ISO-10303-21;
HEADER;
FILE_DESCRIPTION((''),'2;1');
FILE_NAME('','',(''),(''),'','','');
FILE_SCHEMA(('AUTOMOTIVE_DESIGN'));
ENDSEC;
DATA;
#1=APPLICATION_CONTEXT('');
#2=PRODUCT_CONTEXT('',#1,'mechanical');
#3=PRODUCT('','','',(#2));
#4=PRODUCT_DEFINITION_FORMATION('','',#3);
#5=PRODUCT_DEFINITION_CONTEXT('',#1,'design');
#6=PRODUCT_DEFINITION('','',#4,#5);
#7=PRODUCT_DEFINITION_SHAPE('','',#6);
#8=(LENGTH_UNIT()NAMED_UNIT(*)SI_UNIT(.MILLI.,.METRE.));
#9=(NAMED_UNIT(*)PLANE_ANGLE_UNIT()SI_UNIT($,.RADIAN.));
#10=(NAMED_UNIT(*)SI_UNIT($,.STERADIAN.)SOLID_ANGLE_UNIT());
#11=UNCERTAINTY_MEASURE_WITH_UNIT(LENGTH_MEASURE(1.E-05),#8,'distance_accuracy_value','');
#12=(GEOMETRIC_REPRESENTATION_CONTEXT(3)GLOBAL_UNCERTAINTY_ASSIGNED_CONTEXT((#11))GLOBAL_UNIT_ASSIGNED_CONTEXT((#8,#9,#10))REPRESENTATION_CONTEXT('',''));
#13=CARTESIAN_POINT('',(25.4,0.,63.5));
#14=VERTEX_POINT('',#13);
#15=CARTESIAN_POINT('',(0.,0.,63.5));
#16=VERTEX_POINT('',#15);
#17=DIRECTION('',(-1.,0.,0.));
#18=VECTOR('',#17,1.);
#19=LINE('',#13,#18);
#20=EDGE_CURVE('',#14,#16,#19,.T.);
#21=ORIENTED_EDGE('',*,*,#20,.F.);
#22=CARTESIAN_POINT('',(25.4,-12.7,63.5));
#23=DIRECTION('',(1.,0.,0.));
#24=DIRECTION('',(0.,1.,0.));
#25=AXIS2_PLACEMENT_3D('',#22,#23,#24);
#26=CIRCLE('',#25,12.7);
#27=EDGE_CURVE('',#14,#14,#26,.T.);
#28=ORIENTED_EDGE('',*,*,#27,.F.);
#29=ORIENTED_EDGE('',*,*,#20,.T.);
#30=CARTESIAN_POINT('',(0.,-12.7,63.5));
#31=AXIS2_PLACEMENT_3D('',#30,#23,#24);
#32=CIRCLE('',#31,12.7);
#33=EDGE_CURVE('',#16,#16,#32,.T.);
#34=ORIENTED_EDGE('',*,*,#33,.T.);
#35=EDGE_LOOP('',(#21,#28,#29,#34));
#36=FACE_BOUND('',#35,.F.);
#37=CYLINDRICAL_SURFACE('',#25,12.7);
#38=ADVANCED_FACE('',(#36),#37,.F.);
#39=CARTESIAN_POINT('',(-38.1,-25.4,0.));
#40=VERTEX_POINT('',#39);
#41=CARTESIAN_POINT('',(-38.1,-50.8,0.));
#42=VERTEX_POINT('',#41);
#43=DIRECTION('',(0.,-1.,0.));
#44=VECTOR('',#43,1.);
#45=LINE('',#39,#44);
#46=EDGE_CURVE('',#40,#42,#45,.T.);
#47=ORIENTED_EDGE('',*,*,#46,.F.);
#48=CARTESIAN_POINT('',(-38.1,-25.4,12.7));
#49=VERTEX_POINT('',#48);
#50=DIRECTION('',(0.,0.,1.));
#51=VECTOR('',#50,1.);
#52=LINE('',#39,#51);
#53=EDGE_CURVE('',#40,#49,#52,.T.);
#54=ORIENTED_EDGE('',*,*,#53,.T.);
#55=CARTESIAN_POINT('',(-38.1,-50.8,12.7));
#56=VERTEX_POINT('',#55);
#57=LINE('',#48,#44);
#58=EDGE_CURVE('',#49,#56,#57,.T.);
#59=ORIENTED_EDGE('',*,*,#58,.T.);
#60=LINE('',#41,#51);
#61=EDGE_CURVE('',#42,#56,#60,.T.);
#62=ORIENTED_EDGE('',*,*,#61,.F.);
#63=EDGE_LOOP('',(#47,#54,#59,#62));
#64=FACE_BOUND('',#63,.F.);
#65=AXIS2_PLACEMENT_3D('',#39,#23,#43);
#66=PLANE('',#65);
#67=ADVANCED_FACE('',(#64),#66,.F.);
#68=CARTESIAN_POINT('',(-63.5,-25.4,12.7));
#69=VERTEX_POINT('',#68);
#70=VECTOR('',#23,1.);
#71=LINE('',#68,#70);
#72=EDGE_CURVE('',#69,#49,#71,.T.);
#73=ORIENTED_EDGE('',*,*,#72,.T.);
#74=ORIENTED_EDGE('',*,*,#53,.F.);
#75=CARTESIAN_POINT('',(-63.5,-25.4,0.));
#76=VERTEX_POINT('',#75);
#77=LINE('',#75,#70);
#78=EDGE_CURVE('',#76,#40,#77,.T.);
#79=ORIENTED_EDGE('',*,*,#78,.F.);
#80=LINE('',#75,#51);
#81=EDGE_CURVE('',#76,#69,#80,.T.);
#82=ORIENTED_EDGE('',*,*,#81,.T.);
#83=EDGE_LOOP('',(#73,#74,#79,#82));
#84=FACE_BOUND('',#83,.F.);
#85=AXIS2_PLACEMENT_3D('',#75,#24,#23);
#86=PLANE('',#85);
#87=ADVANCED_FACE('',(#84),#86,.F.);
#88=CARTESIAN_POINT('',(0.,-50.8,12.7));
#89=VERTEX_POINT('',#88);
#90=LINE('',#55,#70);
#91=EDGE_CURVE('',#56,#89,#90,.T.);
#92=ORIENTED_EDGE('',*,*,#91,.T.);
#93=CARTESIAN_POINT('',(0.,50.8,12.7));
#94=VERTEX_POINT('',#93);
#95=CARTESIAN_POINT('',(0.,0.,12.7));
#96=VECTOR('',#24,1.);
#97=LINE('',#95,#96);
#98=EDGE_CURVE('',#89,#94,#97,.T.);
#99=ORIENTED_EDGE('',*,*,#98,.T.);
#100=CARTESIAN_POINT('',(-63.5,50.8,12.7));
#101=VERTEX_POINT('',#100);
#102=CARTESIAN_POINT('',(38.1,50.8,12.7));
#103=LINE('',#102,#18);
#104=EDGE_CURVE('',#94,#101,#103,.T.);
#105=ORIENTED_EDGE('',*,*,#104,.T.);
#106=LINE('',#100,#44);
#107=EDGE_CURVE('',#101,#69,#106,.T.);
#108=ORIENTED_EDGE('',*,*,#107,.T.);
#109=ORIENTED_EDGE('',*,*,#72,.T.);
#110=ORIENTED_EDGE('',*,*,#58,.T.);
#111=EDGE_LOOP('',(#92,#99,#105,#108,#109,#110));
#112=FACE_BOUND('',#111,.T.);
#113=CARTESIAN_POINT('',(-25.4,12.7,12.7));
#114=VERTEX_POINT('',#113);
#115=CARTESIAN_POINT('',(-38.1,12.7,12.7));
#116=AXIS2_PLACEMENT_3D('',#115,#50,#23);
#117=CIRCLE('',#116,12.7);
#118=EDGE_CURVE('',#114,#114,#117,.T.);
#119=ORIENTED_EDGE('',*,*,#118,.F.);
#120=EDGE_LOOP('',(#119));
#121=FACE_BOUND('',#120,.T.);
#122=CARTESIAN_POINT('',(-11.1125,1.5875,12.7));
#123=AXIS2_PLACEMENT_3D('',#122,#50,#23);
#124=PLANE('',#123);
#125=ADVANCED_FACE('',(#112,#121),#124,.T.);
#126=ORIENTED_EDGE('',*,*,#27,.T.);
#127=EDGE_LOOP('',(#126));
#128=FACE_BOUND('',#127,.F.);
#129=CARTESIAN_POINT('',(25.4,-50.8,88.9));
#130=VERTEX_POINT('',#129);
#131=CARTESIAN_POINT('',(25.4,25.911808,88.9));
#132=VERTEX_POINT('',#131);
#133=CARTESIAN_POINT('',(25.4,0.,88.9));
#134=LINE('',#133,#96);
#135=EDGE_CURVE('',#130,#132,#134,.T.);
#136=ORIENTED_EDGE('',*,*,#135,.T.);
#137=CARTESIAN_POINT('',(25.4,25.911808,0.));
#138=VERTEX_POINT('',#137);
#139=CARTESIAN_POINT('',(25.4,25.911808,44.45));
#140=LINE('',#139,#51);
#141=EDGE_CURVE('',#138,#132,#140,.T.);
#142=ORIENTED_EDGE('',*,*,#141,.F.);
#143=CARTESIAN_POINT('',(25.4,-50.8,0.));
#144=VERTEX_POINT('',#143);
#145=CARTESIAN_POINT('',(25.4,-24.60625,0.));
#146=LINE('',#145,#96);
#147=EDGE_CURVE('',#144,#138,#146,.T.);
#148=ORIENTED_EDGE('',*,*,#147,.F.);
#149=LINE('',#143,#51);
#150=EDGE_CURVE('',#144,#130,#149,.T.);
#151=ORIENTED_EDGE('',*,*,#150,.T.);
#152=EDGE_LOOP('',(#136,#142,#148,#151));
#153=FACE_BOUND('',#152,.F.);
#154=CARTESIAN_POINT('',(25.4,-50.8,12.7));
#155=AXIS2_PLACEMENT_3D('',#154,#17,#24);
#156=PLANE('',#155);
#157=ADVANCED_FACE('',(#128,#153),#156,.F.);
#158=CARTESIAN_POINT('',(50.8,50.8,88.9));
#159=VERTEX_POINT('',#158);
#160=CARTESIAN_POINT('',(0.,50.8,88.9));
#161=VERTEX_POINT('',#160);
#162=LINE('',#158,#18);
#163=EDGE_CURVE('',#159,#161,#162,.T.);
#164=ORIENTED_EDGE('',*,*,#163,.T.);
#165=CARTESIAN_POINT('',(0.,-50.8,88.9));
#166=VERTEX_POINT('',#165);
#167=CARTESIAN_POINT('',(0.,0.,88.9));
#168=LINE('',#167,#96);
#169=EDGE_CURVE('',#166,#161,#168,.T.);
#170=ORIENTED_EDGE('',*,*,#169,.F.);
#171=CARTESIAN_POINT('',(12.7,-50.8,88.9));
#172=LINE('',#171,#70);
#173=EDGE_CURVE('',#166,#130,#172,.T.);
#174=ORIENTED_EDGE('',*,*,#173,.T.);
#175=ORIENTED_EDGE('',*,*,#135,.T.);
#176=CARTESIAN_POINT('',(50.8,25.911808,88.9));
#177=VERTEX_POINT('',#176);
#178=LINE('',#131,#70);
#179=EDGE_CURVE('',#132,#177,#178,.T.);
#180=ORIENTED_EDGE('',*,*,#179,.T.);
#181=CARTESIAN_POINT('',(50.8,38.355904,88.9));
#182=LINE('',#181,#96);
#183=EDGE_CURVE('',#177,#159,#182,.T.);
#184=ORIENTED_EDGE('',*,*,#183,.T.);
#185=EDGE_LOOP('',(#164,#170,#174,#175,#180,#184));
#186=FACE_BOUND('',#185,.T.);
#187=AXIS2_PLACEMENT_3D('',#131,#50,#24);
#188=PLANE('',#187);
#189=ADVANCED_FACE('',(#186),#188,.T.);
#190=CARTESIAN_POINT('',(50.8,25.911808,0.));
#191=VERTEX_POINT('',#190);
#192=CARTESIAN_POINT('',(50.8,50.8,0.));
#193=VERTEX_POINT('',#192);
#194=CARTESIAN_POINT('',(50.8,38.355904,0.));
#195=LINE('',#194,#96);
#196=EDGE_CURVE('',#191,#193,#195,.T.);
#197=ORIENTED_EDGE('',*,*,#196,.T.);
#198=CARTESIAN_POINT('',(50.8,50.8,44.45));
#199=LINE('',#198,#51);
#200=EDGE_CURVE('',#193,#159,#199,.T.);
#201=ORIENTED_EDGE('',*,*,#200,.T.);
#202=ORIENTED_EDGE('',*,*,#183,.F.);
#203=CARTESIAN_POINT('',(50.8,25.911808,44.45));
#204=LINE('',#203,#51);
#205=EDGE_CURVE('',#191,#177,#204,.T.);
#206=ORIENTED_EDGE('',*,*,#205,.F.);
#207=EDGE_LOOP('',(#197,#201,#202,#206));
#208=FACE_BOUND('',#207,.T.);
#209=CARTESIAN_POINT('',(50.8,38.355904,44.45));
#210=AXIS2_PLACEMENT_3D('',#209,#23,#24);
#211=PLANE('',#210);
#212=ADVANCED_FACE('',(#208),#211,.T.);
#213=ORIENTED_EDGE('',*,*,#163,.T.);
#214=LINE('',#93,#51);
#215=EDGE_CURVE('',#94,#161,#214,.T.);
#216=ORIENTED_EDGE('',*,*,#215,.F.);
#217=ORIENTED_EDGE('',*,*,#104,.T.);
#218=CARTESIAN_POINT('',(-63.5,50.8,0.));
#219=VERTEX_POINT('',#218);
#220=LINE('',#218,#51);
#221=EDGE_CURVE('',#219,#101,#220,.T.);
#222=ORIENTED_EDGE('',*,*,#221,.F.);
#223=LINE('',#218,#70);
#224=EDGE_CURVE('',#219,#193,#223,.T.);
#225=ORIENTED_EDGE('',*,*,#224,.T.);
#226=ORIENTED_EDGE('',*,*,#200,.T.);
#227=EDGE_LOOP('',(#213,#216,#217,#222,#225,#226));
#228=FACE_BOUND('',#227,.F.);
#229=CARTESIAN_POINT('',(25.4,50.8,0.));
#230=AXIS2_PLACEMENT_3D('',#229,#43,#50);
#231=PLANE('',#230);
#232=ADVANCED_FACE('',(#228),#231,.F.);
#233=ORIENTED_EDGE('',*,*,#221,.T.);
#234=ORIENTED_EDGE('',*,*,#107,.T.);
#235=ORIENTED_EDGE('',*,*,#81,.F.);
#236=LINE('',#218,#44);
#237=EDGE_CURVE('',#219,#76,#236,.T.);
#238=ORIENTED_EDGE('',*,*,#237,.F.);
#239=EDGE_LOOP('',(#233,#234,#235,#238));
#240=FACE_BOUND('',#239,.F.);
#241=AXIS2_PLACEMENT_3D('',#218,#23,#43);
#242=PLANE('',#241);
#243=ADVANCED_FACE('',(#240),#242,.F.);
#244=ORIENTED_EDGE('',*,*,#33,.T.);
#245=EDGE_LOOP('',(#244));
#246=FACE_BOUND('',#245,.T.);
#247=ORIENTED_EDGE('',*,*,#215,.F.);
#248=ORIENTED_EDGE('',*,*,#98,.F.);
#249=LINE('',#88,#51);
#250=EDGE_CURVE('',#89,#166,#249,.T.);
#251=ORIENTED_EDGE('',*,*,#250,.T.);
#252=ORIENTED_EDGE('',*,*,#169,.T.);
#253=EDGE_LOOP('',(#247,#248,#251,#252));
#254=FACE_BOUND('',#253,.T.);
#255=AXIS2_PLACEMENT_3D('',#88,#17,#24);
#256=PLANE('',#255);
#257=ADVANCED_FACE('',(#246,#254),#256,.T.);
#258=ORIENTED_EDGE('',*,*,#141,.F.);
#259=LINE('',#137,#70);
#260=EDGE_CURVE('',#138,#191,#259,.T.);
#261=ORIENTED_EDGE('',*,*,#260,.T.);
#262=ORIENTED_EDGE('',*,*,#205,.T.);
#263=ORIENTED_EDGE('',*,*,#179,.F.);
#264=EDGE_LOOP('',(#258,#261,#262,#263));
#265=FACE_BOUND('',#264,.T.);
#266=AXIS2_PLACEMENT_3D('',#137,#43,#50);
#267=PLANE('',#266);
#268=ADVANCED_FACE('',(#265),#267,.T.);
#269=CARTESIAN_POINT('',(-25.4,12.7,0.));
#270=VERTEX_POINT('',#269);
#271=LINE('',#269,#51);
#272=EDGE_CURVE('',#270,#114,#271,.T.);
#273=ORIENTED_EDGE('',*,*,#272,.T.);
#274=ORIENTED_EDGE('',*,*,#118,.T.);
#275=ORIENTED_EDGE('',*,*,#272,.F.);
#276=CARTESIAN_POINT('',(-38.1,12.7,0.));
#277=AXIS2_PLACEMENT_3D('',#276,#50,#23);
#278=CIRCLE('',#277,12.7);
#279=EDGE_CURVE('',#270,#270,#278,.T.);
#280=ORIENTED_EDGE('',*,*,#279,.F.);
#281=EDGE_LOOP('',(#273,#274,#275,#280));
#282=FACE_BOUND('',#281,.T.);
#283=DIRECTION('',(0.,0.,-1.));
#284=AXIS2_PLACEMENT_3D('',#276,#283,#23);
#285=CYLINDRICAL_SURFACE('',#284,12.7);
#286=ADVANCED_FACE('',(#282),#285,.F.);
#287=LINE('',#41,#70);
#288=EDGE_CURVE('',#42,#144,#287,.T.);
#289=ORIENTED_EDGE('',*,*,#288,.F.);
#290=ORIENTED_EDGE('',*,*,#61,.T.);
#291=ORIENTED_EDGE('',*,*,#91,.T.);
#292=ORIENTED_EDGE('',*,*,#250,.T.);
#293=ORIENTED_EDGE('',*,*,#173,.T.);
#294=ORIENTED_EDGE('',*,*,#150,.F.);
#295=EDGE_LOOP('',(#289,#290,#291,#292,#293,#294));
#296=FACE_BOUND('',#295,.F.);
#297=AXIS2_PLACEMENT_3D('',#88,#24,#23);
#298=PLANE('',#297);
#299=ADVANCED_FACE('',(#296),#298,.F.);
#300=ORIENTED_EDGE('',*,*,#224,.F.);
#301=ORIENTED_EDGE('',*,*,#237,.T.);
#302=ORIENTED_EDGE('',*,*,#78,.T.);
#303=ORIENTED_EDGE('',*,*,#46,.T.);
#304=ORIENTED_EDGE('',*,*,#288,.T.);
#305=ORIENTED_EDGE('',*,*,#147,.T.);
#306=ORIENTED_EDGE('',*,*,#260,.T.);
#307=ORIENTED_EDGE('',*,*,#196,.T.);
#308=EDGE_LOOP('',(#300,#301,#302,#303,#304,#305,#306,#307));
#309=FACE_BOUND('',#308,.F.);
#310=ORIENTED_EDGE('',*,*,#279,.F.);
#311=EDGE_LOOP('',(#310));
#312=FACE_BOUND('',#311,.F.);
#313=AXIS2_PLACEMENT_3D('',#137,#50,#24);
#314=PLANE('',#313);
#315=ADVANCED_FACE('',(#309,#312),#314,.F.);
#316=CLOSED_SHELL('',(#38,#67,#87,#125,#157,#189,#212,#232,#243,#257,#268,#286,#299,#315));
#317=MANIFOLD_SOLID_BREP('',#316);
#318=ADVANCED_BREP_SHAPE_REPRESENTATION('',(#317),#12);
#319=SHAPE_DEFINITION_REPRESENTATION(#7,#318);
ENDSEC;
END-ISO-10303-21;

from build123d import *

# Parameters (mm, degrees)
F0_R     = 12.7
F1_DEPTH = 12.7
F2_W     = 12.7
F2_H     = 101.6
F3_DEPTH = 25.4
F2_W_2   = 25.4
F4_DEPTH = 76.2
F5_R     = 12.7
F6_DEPTH = 25.4
F7_W     = 24.888192
F7_H     = 88.9
F8_DEPTH = 25.4


with BuildPart() as f1:
    # F0 (on Top) → F1 (new body)
    with BuildSketch(Plane.XY):
        Polygon((-38.1, -50.8), (38.1, -50.8), (38.1, 50.8), (-38.1, 50.8), (-63.5, 50.8), (-63.5, -25.4), (-38.1, -25.4), align=None)
        with Locations((-38.1, 12.7)):
            Circle(F0_R, mode=Mode.SUBTRACT)
    extrude(amount=F1_DEPTH)

    # F2 (on face) → F3 (cut)
    with BuildSketch(Plane.XY.offset(12.7)):
        with Locations((31.75, 0)):
            Rectangle(F2_W, F2_H)
    extrude(amount=-F3_DEPTH, mode=Mode.SUBTRACT)

    # F2 (on face) → F4 (join)
    with BuildSketch(Plane.XY.offset(12.7)):
        with Locations((12.7, 0)):
            Rectangle(F2_W_2, F2_H)
    extrude(amount=F4_DEPTH)

    # F5 (on face) → F6 (cut)
    with BuildSketch(Plane.YZ.offset(25.4)):
        with Locations((-12.7, 63.5)):
            Circle(F5_R)
    extrude(amount=-F6_DEPTH, mode=Mode.SUBTRACT)

    # F7 (on face) → F8 (join)
    with BuildSketch(Plane.YZ.offset(25.4)):
        with Locations((38.355904, 44.45)):
            Rectangle(F7_W, F7_H)
    extrude(amount=F8_DEPTH)


solid = f1.part
